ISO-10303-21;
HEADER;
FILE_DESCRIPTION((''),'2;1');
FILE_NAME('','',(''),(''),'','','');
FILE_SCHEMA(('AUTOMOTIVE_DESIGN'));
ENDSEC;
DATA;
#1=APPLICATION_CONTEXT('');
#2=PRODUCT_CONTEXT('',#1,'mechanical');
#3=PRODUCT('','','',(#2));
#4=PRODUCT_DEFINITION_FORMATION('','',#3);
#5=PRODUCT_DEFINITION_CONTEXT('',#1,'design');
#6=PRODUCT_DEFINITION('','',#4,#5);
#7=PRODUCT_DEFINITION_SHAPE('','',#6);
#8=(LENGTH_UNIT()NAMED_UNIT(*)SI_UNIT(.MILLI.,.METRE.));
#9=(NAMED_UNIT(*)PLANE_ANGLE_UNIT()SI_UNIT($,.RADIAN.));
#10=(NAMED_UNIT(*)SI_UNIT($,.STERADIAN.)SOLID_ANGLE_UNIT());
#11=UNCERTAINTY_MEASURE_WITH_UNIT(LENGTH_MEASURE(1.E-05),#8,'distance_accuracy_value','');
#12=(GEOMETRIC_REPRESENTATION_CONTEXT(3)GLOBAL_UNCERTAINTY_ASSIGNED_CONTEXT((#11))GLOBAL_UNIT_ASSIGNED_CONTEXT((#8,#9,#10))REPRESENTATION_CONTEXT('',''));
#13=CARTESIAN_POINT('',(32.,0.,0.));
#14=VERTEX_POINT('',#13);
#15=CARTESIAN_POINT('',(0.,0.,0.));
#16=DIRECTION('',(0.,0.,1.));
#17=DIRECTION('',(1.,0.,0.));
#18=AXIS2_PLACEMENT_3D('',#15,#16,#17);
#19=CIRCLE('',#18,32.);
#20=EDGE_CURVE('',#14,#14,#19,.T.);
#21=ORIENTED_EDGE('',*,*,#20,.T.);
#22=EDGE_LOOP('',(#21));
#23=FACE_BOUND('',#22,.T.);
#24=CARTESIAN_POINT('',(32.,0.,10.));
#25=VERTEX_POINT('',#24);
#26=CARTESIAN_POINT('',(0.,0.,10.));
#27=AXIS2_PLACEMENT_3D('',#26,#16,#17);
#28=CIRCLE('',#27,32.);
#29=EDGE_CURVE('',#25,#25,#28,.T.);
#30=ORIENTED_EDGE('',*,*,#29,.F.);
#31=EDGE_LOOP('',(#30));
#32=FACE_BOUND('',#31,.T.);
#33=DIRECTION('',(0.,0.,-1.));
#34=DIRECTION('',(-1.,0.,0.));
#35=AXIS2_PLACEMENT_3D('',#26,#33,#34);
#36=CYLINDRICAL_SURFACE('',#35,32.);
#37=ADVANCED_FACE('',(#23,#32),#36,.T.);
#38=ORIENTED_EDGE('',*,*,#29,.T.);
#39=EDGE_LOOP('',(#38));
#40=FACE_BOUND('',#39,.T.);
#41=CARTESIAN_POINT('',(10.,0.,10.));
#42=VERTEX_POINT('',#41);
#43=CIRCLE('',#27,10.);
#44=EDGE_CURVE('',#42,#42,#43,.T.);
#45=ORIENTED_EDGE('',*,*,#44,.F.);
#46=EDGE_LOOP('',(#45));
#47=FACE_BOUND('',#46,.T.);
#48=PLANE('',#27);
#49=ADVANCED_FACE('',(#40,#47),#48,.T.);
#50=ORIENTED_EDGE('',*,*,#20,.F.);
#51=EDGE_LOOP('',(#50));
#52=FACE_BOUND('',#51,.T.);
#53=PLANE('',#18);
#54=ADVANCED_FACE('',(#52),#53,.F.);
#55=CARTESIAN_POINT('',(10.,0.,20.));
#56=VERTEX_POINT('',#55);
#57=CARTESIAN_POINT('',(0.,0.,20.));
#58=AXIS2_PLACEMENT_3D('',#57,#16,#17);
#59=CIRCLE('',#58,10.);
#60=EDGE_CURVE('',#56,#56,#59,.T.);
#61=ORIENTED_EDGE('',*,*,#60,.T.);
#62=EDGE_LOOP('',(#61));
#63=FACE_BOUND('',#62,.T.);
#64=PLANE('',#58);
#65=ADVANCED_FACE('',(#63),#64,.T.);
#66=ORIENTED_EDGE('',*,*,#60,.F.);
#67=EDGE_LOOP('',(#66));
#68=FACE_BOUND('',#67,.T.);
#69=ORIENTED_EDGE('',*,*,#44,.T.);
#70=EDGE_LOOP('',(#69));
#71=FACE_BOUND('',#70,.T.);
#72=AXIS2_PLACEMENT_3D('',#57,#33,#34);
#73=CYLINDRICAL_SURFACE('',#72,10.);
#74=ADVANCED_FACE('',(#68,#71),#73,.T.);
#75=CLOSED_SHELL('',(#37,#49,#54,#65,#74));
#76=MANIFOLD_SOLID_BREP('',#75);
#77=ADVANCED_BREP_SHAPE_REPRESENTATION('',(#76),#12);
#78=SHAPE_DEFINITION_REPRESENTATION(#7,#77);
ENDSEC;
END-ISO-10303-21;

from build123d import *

# Parameters (mm, degrees)
SKETCH_1_R      = 32
EXTRUDE_1_DEPTH = 10
SKETCH_2_R      = 10
EXTRUDE_2_DEPTH = 10


with BuildPart() as part:
    # 草图1 → 凸台-拉伸1 (new body)
    with BuildSketch(Plane.XY):
        Circle(SKETCH_1_R)
    extrude(amount=EXTRUDE_1_DEPTH)

    # 草图2 → 凸台-拉伸2 (add)
    with BuildSketch(Plane.XY.offset(10)):
        Circle(SKETCH_2_R)
    extrude(amount=EXTRUDE_2_DEPTH)


solid = part.part
